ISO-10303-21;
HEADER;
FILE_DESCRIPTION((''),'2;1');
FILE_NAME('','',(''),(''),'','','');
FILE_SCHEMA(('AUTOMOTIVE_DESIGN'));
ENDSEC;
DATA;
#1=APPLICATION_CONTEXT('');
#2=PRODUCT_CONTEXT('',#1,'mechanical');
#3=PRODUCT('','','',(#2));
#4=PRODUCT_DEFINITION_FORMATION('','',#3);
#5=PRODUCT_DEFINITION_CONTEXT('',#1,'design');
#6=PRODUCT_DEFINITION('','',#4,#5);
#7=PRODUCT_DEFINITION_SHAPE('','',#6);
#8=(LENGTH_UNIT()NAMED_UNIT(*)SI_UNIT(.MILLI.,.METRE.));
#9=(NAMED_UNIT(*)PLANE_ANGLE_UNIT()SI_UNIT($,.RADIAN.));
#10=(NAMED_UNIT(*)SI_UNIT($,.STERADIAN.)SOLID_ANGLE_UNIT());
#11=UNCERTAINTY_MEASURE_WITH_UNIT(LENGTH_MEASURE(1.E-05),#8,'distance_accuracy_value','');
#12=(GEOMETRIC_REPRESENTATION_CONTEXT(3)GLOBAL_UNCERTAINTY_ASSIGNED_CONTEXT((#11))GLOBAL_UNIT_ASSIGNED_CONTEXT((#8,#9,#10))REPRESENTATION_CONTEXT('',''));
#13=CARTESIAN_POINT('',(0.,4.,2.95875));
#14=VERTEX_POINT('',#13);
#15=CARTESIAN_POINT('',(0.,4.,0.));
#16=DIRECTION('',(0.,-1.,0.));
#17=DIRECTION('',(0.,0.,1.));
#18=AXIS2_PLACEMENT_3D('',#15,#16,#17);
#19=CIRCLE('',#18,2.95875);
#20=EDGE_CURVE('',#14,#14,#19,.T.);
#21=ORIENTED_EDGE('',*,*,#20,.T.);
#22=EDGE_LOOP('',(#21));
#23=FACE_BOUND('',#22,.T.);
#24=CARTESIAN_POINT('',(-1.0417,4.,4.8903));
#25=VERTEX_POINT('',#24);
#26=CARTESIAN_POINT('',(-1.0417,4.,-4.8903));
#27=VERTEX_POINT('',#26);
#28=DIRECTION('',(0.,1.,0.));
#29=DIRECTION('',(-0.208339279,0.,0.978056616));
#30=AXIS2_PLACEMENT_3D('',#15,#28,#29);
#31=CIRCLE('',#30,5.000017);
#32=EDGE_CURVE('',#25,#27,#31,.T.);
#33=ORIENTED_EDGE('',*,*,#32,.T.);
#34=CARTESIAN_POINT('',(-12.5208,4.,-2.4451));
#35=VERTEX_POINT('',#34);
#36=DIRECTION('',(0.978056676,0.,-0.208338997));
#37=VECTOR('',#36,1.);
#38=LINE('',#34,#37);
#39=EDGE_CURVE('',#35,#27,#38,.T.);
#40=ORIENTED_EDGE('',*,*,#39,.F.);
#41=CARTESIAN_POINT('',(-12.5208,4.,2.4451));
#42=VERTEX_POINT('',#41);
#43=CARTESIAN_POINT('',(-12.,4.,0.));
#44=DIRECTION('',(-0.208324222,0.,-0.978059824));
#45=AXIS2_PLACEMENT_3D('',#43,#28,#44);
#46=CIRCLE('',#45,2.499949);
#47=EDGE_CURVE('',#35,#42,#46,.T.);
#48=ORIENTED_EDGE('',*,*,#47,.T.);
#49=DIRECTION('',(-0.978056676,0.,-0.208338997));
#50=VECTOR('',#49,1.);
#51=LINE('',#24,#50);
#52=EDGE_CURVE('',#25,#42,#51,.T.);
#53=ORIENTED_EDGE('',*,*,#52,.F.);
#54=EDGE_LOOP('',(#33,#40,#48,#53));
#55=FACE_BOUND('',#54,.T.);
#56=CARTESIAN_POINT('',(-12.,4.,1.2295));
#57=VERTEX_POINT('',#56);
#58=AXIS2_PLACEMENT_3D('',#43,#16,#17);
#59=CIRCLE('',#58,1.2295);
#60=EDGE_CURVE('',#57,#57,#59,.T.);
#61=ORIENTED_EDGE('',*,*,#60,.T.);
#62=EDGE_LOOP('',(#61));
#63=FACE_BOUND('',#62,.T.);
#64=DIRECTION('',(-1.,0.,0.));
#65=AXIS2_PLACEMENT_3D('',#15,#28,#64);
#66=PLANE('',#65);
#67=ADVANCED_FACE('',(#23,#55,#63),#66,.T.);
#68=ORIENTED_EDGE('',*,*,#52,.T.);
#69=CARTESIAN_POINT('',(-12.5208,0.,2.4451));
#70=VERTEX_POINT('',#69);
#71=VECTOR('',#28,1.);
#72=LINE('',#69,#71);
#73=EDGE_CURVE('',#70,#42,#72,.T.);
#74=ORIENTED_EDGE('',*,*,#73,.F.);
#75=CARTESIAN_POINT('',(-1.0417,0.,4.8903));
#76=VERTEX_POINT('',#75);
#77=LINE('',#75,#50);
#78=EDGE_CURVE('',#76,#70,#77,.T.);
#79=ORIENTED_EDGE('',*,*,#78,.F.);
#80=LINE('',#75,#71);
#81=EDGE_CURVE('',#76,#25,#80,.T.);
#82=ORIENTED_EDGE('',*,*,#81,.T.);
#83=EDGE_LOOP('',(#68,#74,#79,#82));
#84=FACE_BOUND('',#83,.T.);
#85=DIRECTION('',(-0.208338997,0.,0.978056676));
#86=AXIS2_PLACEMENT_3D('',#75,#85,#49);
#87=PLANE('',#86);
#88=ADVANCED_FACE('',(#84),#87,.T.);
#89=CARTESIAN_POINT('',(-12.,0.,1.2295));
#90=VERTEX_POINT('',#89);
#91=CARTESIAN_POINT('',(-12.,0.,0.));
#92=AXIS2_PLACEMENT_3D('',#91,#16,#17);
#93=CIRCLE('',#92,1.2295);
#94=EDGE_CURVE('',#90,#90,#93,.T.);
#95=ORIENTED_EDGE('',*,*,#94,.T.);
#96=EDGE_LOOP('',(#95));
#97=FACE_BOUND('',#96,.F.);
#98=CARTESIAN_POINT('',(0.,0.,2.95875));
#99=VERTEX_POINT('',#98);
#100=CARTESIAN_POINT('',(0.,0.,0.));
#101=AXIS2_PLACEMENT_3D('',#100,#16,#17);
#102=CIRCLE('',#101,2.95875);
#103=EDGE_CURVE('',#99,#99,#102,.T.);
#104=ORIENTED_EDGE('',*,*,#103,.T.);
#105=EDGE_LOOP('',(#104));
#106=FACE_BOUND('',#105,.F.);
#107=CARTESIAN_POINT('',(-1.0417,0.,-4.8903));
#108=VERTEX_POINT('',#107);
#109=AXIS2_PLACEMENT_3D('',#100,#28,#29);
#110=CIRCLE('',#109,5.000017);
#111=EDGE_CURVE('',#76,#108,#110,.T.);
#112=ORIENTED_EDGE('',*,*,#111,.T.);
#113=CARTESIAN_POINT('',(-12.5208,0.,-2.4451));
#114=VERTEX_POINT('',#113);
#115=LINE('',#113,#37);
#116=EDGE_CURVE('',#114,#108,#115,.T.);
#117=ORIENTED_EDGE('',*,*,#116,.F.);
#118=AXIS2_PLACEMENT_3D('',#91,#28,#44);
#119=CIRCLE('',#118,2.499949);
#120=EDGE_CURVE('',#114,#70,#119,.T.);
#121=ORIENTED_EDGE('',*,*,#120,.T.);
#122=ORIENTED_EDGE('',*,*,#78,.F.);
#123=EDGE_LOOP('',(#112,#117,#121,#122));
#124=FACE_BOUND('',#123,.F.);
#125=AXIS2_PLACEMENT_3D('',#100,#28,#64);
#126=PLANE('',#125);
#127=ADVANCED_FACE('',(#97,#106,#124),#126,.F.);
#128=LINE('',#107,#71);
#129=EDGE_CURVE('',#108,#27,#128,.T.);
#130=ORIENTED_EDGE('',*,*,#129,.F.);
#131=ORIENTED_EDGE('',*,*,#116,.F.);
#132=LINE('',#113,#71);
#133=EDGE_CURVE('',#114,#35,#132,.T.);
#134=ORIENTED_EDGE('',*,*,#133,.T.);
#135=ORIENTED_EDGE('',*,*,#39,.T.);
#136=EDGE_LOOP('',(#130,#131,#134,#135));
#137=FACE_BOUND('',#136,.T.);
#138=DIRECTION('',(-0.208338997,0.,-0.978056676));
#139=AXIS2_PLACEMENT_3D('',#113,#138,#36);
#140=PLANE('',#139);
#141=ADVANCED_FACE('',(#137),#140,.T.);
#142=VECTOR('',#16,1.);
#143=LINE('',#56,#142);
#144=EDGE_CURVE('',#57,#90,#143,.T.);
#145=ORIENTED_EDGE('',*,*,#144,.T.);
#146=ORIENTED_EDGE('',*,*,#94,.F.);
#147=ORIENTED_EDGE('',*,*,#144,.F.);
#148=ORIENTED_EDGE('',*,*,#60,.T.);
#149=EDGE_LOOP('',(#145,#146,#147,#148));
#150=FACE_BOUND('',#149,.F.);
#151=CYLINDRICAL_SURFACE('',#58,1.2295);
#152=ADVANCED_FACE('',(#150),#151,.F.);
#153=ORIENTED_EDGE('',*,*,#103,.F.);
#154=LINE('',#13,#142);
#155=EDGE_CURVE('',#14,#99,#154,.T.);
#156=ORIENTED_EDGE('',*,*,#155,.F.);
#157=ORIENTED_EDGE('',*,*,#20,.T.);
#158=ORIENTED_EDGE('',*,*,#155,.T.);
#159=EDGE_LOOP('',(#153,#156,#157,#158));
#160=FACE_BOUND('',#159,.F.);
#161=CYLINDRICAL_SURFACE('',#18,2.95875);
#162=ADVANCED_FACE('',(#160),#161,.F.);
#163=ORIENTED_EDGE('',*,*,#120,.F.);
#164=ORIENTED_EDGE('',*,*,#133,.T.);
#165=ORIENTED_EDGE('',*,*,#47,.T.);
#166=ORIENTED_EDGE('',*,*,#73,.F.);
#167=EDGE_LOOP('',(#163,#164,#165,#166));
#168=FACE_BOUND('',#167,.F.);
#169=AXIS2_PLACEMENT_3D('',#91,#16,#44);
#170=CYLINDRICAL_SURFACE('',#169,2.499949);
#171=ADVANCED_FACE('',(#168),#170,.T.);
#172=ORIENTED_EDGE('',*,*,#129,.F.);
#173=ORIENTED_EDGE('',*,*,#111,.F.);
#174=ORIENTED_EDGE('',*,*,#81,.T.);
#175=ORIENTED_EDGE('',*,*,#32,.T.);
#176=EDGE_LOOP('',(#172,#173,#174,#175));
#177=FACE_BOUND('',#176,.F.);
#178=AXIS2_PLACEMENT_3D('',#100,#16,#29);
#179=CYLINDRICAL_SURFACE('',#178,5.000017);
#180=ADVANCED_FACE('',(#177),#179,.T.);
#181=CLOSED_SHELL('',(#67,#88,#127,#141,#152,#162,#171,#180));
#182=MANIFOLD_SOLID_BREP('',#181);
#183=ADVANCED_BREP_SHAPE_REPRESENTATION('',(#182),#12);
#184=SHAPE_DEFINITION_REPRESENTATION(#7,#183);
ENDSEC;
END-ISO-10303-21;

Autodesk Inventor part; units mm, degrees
ref_plane "YZ Plane" through (0, 0, 0) normal (1, 0, 0) x (0, 1, 0)
ref_plane "XZ Plane" through (0, 0, 0) normal (0, 1, 0) x (-1, 0, 0)
ref_plane "XY Plane" through (0, 0, 0) normal (0, 0, 1) x (1, 0, 0)
sketch "Sketch1" plane through (0, 0, 0) normal (0, 1, 0) x (-1, 0, 0)
  arc A0 (12.5208, -2.4451) -> (12.5208, 2.4451) centre (12, 0) ccw
  arc A1 (1.0417, 4.8903) -> (1.0417, -4.8903) centre (0, 0) ccw
  line L0 (1.0417, 4.8903) -> (12.5208, 2.4451)
  line L1 (12.5208, -2.4451) -> (1.0417, -4.8903)
  dimension "d0" = 2.5
  dimension "d1" = 5
  dimension "d2" = 12
extrude "Extrusion1" add sketch "Sketch1" along normal blind 4
sketch "Sketch3" plane through (0, 4, 0) normal (0, 1, 0) x (1, 0, 0)
  arc A0 (-12.5208, 2.4451) -> (-12.5208, -2.4451) centre (-12, 0) ccw projected
  point P0 (0, 0)
hole "Hole2" at (-12, 4, 0) direction (0, -1, 0) diameter 2.459 end through all thread size "M3x0.5" class "6H" standard "ISO Metric profile"
sketch "Sketch4" plane through (0, 4, 0) normal (0, 1, 0) x (1, 0, 0)
  arc A0 (-1.0417, -4.8903) -> (-1.0417, 4.8903) centre (0, 0) ccw projected
hole "Hole3" at (0, 4, 0) direction (0, -1, 0) diameter 5.9175 end through all thread size "M7x1" class "6H" standard "ISO Metric profile"
properties part number "214.1"
